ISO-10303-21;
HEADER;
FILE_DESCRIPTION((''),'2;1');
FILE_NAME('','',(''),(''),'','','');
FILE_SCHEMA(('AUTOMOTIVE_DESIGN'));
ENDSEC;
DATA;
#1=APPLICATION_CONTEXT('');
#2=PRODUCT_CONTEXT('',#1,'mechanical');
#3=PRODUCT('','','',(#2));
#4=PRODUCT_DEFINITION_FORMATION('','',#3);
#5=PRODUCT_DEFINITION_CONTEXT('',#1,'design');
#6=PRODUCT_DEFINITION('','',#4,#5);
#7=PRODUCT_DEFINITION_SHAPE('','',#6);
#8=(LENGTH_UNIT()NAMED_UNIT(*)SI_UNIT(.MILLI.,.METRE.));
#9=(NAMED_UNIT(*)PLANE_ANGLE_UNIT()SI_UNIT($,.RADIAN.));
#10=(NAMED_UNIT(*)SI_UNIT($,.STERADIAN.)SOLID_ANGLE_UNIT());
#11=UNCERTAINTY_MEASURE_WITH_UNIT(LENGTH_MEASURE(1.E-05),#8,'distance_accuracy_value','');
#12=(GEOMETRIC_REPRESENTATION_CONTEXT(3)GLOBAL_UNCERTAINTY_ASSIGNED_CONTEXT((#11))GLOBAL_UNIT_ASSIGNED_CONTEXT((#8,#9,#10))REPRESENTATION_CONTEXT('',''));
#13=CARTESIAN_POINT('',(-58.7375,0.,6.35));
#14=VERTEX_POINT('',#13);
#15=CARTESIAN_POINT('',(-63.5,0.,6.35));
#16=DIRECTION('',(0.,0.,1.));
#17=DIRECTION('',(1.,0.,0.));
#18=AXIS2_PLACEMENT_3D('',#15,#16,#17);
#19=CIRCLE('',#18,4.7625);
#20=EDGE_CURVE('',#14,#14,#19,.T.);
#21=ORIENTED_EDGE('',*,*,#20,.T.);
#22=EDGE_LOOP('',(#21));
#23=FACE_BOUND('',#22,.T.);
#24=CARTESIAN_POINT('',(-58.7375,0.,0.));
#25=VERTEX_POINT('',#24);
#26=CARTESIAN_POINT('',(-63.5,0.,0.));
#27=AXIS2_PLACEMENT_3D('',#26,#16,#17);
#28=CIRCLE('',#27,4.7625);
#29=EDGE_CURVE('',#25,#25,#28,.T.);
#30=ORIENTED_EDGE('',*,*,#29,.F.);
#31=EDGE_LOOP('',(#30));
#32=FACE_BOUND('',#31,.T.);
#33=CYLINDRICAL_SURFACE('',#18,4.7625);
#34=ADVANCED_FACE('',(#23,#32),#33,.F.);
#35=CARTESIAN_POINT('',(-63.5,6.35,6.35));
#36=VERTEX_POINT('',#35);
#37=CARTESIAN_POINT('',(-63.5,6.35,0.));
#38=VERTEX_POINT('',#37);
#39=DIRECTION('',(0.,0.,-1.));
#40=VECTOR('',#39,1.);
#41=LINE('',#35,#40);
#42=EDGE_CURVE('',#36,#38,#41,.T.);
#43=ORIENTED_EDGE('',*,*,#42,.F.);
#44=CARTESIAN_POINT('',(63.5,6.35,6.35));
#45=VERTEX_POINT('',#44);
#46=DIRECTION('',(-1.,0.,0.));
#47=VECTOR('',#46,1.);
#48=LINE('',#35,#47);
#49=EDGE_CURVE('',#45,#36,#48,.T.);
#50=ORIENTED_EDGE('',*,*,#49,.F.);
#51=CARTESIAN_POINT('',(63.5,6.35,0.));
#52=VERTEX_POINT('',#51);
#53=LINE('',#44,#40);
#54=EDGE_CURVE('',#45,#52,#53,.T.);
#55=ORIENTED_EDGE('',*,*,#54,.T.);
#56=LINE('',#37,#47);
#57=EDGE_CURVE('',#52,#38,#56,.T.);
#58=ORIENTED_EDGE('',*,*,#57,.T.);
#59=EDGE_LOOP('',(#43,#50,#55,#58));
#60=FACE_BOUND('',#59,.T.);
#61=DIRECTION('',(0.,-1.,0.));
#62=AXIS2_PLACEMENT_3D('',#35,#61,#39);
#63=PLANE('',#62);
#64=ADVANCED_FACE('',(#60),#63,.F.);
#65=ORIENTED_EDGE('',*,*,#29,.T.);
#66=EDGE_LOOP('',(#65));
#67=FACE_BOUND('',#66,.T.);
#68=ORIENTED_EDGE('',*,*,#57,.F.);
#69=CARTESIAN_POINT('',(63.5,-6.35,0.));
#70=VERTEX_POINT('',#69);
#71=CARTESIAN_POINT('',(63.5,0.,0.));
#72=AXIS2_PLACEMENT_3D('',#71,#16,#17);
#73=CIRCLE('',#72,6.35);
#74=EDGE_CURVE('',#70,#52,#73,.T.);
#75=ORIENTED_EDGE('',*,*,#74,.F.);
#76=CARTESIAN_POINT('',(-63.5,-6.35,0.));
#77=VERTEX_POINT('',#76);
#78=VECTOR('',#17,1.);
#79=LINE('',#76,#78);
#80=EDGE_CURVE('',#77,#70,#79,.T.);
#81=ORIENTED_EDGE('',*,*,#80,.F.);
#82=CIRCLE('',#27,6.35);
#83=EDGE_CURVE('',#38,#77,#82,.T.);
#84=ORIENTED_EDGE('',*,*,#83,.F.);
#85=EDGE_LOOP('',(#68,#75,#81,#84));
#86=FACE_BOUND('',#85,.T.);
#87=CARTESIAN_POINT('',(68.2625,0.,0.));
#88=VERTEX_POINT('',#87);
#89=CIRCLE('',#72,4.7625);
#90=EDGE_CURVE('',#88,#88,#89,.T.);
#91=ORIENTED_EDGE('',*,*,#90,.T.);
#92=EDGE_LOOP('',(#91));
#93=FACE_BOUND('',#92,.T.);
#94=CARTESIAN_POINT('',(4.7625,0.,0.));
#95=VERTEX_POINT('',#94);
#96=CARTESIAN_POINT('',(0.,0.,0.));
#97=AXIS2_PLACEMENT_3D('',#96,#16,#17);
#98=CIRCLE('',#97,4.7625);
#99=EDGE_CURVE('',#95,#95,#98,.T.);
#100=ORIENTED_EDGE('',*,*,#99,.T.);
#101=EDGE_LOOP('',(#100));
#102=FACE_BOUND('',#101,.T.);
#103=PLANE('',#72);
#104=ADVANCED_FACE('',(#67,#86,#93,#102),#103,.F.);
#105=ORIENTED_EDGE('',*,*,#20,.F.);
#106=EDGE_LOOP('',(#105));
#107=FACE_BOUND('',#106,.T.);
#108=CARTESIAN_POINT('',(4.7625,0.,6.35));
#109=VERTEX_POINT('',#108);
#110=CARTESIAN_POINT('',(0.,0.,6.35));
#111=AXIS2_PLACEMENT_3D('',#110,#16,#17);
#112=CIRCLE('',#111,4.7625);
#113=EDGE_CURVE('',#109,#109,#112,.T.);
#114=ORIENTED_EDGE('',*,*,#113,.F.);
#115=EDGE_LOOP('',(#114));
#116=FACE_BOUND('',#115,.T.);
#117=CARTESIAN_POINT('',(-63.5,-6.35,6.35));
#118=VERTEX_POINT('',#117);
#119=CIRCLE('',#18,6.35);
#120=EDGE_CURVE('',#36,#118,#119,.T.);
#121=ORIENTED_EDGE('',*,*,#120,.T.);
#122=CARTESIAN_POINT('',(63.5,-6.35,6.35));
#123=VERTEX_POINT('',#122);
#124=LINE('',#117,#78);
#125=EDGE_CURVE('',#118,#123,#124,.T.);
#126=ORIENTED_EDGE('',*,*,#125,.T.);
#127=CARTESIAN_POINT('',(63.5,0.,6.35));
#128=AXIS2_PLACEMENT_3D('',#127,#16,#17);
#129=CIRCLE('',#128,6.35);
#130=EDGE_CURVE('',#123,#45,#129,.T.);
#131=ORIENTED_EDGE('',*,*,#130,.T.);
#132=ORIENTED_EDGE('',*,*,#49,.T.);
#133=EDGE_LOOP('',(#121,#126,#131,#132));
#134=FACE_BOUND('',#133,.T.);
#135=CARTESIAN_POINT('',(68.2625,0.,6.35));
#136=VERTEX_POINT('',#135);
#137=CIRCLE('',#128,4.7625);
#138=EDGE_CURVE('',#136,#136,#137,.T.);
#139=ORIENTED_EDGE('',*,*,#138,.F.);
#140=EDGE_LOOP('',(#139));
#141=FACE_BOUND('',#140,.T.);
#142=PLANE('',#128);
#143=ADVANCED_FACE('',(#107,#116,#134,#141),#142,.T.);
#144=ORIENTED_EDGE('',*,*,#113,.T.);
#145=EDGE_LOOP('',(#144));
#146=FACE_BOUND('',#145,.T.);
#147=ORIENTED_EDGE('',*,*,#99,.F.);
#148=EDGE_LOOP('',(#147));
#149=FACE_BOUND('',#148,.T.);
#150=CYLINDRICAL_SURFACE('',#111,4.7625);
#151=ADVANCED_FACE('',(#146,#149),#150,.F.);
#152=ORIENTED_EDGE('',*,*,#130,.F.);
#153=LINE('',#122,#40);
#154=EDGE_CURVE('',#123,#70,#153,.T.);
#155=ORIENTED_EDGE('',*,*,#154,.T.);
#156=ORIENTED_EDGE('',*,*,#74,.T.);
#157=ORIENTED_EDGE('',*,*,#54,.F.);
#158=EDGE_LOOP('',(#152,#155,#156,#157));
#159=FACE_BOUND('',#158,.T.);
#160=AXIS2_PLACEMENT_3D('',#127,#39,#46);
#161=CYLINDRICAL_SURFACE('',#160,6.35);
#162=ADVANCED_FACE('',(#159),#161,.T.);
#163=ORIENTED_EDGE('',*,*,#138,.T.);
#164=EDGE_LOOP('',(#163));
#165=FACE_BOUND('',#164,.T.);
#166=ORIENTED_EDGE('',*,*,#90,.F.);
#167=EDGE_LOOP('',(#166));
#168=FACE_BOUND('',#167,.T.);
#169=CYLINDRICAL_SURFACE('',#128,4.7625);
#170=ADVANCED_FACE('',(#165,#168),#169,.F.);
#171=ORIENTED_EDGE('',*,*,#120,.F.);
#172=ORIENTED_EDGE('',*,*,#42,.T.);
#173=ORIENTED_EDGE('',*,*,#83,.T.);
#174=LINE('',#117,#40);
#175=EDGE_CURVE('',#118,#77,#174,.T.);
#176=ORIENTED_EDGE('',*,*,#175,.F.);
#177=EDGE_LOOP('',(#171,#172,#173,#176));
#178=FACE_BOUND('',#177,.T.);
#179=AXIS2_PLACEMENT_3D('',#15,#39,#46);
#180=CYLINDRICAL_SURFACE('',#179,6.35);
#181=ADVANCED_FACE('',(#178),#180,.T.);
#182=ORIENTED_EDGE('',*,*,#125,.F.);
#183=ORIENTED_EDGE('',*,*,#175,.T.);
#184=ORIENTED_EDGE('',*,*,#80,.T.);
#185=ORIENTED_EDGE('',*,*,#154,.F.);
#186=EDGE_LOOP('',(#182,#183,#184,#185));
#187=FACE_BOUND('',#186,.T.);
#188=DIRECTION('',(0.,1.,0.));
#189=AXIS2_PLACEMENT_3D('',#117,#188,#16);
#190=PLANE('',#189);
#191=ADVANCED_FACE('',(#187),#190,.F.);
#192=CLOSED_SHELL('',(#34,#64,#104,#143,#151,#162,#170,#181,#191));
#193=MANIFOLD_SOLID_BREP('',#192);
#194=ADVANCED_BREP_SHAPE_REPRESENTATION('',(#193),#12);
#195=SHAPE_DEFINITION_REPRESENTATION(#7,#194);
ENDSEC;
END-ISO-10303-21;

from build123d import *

# Parameters (mm, degrees)
BOSS_EXTRUDE1_DEPTH            = 6.35
F_4_0_375_DIAMETER_HOLE1_D     = 9.525
F_4_0_375_DIAMETER_HOLE1_DEPTH = 6.35


with BuildPart() as part:
    # Sketch1 → Boss-Extrude1 (new body)
    with BuildSketch(Plane.XY):
        with BuildLine():
            Line((-63.5, -6.35), (63.5, -6.35))
            ThreePointArc((63.5, -6.35), (69.85, 0), (63.5, 6.35))
            Line((63.5, 6.35), (-63.5, 6.35))
            ThreePointArc((-63.5, 6.35), (-69.85, 0), (-63.5, -6.35))
        make_face()
    extrude(amount=BOSS_EXTRUDE1_DEPTH)

    # #4 (0.375) Diameter Hole1
    with Locations(Plane.XY.offset(6.35)):
        with Locations((0, 0), (-63.5, 0), (63.5, 0)):
            Hole(F_4_0_375_DIAMETER_HOLE1_D / 2, depth=F_4_0_375_DIAMETER_HOLE1_DEPTH)


solid = part.part
